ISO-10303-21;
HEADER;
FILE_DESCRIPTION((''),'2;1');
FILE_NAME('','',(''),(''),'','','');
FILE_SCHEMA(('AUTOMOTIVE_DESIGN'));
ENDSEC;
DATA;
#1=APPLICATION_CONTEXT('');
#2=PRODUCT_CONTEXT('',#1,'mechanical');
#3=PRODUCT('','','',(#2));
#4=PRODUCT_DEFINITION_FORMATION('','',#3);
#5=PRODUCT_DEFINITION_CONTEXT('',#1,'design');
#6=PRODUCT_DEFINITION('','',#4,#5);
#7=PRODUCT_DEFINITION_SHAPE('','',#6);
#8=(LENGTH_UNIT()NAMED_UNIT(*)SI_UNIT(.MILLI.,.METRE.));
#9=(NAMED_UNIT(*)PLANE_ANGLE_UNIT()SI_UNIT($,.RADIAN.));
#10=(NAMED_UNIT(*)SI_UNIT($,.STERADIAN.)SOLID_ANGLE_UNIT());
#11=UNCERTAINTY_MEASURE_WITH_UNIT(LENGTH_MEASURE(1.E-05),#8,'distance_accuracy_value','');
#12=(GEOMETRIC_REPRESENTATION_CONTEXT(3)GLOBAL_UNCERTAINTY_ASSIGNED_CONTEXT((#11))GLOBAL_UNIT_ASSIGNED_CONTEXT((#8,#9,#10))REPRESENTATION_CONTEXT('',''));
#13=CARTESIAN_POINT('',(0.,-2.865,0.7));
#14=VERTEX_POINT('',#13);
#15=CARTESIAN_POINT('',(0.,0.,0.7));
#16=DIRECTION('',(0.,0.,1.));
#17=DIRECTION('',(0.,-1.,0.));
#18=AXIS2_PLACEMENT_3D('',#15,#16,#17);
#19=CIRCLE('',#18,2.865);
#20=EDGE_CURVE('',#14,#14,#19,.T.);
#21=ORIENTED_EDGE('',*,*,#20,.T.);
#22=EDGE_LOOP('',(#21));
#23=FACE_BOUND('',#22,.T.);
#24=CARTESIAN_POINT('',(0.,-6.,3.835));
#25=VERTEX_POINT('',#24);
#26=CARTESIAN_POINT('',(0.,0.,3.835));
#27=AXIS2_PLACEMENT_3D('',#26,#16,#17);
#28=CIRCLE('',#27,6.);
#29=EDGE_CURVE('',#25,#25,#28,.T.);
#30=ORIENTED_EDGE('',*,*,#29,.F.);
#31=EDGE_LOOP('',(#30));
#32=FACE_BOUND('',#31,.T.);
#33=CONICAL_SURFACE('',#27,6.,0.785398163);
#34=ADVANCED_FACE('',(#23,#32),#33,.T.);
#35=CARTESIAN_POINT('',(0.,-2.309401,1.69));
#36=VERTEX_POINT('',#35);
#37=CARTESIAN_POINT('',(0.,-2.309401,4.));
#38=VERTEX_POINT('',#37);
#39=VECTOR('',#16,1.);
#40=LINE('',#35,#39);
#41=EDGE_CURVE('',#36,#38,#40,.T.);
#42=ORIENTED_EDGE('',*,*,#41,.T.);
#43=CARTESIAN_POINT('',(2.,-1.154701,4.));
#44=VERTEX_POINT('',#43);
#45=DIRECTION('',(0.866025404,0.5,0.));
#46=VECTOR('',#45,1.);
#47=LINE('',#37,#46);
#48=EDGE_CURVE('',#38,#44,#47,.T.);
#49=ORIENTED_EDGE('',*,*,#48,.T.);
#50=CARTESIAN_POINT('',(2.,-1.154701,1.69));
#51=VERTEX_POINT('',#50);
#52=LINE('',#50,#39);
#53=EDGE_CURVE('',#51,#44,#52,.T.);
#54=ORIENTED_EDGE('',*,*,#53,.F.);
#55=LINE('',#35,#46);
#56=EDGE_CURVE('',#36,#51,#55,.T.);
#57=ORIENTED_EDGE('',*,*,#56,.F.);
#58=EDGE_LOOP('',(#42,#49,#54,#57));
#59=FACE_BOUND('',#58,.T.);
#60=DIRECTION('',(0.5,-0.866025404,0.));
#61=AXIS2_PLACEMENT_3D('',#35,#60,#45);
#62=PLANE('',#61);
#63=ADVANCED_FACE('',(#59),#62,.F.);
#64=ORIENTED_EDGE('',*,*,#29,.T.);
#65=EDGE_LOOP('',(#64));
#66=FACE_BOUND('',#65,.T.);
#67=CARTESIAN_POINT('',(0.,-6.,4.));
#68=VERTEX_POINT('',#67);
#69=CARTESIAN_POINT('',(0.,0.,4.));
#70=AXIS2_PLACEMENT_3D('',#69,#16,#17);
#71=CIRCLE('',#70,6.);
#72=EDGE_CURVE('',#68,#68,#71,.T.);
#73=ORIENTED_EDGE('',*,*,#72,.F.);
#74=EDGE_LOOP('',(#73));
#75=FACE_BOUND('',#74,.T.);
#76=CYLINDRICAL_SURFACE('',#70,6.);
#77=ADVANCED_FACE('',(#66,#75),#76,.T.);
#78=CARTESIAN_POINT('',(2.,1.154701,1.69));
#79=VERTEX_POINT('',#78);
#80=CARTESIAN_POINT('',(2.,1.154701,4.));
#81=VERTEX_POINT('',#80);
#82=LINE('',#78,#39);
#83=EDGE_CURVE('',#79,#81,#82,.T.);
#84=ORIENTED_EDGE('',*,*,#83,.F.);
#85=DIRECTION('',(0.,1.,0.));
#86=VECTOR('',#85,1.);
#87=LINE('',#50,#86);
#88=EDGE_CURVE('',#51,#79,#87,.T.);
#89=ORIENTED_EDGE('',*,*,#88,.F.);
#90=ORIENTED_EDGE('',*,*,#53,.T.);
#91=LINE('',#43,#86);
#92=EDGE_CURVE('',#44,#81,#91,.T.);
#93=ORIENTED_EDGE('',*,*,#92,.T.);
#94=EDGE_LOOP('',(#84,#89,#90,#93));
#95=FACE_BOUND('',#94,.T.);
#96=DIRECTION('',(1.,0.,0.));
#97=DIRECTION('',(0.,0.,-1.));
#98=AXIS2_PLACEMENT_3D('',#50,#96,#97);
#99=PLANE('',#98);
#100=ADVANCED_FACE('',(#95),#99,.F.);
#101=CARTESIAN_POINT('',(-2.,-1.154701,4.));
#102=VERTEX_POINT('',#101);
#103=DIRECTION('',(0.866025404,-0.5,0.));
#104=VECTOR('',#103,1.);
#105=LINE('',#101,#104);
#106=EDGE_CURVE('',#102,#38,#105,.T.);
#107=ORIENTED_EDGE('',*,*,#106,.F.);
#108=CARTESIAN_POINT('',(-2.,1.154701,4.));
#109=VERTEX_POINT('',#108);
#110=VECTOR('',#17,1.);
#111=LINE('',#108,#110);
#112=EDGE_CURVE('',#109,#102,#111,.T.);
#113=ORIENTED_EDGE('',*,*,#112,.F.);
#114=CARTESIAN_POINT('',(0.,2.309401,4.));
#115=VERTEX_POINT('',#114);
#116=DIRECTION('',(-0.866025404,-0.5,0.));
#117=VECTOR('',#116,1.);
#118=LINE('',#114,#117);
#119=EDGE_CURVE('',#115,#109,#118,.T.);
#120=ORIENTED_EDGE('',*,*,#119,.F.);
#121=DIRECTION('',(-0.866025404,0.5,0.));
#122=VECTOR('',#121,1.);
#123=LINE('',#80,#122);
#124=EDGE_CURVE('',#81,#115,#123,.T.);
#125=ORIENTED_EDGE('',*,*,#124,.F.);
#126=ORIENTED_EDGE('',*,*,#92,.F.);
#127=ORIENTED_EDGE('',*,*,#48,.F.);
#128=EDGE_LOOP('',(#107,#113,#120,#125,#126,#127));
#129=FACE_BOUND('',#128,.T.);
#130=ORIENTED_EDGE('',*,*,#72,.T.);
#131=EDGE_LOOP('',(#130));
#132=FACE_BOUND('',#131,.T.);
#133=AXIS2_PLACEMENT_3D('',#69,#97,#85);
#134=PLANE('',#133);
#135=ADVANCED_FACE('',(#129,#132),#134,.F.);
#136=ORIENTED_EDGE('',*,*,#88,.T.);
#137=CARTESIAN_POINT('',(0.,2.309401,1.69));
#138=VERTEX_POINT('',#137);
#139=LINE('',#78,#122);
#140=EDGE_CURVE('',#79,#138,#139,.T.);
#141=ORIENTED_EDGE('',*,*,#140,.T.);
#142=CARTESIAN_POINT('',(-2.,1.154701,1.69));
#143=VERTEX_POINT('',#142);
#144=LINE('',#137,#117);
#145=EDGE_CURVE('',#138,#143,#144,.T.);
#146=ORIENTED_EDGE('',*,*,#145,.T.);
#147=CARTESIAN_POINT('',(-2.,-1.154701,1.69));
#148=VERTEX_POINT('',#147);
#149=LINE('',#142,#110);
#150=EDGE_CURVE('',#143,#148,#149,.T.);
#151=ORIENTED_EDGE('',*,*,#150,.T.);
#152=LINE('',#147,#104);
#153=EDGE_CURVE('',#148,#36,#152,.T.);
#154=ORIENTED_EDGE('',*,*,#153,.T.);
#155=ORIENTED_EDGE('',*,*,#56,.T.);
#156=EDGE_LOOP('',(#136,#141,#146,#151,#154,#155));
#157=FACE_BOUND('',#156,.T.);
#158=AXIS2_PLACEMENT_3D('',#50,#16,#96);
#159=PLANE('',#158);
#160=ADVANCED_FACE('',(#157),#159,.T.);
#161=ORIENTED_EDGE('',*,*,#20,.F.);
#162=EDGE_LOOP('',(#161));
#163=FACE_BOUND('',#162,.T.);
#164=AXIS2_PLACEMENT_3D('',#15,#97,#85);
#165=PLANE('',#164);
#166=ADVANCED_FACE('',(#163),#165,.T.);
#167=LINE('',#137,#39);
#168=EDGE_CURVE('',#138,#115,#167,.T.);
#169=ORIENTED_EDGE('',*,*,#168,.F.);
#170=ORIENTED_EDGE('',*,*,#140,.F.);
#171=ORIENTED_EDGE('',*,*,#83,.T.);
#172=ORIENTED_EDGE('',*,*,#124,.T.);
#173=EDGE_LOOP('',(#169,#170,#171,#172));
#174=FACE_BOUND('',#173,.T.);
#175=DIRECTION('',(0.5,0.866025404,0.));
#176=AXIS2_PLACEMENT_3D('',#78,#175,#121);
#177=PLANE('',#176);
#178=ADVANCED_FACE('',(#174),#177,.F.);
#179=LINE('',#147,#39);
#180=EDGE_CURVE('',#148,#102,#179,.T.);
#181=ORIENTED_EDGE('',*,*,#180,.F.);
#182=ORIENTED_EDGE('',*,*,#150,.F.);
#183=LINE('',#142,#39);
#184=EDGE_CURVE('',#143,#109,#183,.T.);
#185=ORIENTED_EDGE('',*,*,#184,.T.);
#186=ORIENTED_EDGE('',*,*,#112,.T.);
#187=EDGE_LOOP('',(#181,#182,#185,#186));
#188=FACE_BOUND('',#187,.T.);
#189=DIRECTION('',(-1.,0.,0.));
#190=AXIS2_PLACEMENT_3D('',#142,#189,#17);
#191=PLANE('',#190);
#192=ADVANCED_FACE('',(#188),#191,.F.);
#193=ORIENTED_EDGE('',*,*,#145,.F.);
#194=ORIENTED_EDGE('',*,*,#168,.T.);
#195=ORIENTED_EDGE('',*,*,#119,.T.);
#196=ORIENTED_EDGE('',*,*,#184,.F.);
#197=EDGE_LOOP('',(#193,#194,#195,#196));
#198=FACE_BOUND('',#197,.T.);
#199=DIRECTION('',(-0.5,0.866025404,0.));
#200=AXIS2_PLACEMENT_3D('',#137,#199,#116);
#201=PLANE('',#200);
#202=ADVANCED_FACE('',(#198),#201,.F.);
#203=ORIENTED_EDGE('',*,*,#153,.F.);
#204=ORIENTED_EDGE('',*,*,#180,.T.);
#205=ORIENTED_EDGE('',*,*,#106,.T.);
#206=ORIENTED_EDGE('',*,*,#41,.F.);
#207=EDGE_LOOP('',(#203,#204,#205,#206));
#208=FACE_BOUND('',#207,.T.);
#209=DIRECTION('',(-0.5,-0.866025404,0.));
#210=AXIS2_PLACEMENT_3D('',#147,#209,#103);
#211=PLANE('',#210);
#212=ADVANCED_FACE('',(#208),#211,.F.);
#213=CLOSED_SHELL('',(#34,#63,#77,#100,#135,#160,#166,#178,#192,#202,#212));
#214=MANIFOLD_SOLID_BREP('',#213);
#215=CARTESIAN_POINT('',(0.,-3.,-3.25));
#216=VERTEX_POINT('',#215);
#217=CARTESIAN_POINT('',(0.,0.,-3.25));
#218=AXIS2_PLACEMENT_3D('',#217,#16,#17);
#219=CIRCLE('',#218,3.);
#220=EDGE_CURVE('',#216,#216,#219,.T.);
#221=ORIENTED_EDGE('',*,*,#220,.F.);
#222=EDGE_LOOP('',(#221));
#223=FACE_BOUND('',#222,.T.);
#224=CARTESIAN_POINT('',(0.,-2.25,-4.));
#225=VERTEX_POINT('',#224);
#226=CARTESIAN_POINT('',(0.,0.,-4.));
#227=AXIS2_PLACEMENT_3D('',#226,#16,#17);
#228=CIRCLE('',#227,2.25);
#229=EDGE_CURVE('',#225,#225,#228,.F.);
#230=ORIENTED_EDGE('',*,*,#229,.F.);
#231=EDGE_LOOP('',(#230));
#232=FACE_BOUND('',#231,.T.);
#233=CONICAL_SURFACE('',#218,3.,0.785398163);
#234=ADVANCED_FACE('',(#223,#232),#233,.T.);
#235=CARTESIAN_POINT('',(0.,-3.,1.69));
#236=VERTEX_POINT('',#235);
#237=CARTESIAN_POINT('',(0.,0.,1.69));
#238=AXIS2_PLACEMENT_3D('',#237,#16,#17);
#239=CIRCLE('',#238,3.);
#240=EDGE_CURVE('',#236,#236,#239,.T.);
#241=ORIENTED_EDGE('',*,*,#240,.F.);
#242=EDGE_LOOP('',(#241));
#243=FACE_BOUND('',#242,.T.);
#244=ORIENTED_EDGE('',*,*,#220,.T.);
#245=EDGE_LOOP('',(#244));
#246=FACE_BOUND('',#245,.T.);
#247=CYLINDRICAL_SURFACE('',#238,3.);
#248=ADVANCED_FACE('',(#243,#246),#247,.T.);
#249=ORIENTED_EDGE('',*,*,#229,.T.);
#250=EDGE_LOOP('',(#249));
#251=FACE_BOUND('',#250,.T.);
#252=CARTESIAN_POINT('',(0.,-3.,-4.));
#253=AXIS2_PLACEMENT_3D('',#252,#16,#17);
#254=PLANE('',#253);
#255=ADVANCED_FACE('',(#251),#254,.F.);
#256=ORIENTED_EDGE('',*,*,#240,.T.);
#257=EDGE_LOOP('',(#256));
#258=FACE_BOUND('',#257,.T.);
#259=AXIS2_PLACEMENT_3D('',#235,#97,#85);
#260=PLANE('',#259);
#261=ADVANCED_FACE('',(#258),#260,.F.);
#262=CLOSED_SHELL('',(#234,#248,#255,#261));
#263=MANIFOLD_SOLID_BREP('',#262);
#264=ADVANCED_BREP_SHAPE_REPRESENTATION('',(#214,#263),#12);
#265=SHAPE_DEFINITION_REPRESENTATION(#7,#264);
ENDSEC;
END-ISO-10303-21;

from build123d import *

# Parameters (mm, degrees)
CHAMFER1_SIZE      = 0.75
CUT_EXTRUDE2_DEPTH = 2.31


with BuildPart() as part:
    # Sketch1 → Revolve1 (revolve)
    with BuildSketch(Plane(origin=(0, 0, 0), x_dir=(0, 0, -1), z_dir=(1, 0, 0))):
        Polygon((-0.7, 3), (4, 3), (4, 0), (-1.69, 0), (-1.69, 3), align=None)
    revolve(axis=Axis((0, 0, 1.69), (0, 0, -1)))

    # Chamfer1
    chamfer1_edges = [part.edges().sort_by_distance(p)[0] for p in [
        (0, -3, -4),
    ]]
    chamfer(chamfer1_edges, length=CHAMFER1_SIZE)


with BuildPart() as body_2:
    # Sketch7 → Revolve2 (revolve)
    with BuildSketch(Plane(origin=(0, 0, 0), x_dir=(0, 0, -1), z_dir=(1, 0, 0))):
        Polygon((-3.835, 6), (-4, 6), (-4, 0), (-0.7, 0), (-0.7, 2.865), align=None)
    revolve(axis=Axis((0, 0, 4), (0, 0, -1)))

    # Sketch5 → Cut-Extrude2 (cut)
    with BuildSketch(Plane.XY.offset(4)):
        Polygon((2, -1.154700538), (2, 1.154700538), (0, 2.309401077), (-2, 1.154700538), (-2, -1.154700538), (0, -2.309401077), align=None)
    extrude(amount=-CUT_EXTRUDE2_DEPTH, mode=Mode.SUBTRACT)


solid = Compound([part.part, body_2.part])
